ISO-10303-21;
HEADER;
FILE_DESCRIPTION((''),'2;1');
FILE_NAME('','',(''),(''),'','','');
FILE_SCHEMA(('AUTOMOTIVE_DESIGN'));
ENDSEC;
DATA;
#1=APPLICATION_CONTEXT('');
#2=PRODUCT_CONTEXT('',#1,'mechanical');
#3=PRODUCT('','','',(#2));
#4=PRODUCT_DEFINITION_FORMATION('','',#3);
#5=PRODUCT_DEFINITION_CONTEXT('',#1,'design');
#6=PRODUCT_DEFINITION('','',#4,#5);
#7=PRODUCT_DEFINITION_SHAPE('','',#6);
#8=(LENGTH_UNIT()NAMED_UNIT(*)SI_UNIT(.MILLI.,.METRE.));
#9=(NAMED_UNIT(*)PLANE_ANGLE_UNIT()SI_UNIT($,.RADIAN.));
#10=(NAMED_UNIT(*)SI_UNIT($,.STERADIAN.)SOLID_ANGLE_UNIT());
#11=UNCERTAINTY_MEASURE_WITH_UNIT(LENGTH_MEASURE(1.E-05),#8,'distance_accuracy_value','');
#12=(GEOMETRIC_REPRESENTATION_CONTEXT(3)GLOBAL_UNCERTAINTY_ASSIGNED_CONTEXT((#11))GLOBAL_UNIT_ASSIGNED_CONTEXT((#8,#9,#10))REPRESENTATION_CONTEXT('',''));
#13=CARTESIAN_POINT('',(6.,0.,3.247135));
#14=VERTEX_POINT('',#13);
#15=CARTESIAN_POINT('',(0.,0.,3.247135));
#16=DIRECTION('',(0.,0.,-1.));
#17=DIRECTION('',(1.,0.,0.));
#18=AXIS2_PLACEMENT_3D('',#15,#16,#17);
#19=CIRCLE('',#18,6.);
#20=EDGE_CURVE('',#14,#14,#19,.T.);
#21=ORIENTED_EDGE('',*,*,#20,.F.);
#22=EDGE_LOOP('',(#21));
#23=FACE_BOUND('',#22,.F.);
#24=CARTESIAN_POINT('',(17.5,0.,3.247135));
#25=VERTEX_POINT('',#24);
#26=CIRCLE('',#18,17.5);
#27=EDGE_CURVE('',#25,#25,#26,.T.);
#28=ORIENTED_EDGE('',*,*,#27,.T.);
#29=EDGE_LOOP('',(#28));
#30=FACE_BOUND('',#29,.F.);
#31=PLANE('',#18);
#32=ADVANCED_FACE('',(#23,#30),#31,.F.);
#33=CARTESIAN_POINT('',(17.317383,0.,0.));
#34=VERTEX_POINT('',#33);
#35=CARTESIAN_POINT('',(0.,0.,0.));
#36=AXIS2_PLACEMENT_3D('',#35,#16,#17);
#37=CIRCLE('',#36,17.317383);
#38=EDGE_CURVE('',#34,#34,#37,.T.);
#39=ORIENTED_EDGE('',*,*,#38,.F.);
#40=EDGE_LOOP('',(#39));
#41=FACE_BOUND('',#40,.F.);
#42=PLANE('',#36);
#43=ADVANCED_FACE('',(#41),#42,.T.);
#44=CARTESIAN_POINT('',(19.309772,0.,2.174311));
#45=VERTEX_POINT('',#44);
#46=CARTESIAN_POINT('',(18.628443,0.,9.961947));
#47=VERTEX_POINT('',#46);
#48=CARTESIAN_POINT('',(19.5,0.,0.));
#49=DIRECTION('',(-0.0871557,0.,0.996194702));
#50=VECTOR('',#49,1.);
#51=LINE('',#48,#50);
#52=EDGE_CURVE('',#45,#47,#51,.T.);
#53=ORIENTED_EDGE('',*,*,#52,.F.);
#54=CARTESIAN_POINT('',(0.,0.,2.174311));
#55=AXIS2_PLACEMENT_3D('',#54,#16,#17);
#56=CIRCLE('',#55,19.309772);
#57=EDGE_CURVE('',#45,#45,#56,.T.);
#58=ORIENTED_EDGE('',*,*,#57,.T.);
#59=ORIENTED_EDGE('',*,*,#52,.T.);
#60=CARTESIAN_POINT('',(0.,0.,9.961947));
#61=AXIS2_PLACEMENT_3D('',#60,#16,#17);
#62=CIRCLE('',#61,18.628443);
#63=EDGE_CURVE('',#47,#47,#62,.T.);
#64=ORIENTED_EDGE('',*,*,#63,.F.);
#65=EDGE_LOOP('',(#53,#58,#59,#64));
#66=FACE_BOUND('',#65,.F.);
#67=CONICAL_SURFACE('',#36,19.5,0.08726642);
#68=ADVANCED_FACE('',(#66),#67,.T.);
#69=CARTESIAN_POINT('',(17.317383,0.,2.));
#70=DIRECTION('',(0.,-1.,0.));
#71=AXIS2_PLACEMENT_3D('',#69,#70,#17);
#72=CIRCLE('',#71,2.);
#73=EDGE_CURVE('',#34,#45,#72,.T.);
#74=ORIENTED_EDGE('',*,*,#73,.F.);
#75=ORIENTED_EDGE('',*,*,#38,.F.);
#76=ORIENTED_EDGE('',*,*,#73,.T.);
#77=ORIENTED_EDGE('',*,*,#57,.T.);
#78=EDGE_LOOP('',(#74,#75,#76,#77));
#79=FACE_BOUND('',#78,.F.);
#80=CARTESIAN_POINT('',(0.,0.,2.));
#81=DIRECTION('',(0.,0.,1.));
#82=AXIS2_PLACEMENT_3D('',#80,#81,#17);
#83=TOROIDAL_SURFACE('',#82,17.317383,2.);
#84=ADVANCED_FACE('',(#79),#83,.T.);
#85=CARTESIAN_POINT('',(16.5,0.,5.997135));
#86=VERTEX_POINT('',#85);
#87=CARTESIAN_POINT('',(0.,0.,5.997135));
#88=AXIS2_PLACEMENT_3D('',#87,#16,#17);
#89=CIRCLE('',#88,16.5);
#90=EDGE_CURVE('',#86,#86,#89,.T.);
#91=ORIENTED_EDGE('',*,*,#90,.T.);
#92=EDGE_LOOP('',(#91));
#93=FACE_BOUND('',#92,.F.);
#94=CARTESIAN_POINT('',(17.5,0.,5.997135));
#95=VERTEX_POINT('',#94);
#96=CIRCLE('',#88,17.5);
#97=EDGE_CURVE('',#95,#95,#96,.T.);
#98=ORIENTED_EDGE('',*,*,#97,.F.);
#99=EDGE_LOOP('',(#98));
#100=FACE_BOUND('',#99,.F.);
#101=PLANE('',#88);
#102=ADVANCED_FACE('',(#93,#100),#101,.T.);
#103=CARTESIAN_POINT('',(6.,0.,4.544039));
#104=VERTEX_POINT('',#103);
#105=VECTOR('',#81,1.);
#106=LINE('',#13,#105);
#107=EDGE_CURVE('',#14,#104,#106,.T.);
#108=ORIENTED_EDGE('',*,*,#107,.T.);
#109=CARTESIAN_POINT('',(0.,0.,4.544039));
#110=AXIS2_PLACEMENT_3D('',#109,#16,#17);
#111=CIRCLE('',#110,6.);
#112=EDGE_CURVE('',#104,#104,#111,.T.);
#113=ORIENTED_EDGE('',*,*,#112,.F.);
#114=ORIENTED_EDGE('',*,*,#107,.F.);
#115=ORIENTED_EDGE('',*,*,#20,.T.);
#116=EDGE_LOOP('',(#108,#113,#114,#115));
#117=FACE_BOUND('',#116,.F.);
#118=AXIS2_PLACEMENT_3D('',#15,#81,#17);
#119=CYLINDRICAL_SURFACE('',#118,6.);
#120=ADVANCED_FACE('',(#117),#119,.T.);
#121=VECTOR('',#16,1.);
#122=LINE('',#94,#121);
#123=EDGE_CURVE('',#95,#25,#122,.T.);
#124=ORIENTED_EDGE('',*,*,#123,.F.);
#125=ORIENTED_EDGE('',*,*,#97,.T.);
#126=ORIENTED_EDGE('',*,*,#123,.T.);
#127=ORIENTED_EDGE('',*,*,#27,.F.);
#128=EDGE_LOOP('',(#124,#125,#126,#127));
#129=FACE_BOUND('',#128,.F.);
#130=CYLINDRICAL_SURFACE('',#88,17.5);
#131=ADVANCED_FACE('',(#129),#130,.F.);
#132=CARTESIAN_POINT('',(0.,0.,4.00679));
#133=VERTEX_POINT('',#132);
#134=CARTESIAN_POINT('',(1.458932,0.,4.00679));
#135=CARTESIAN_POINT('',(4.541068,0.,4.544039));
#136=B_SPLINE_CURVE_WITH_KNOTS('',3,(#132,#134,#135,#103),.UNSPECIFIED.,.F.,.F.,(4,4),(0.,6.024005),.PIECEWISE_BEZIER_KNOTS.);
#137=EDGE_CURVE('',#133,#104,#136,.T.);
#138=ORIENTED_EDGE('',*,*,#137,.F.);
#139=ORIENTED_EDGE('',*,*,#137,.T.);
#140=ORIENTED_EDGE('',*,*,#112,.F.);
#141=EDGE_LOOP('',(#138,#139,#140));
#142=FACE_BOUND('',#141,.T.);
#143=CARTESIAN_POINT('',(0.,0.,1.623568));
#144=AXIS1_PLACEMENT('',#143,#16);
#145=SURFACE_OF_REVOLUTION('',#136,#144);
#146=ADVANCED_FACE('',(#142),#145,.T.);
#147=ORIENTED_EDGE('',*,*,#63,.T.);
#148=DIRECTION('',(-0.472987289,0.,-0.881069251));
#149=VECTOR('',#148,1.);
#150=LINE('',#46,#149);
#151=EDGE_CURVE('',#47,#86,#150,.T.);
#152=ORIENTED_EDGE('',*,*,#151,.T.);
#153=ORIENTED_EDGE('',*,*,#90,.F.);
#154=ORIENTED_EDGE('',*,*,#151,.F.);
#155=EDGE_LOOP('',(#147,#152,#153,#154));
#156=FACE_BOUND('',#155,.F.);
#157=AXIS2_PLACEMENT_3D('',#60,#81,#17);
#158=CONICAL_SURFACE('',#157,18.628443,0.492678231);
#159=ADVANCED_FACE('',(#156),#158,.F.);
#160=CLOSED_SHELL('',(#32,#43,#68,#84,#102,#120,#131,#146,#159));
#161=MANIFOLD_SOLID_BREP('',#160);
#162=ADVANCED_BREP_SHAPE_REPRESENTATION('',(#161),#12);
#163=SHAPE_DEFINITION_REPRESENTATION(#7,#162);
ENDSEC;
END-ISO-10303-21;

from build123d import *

# Parameters (mm, degrees)
F2_R = 2


with BuildPart() as f1:
    # F0 (on Front) → F1 (revolve)
    with BuildSketch(Plane.XZ):
        Polygon((0, 3.247135), (0, 0), (19.5, 0), (18.628443, 9.961947), (16.5, 5.997135), (17.5, 5.997135), (17.5, 3.247135), (6, 3.247135), align=None)
        with BuildLine():
            Line((0, 4.00679), (0, 3.247135))
            Line((0, 3.247135), (6, 3.247135))
            Line((6, 3.247135), (6, 4.544039))
            add(Edge.make_bspline(
                [(0, 4.00679), (1.458932, 4.00679), (4.541068, 4.544039), (6, 4.544039)],
                knots=[0, 0, 0, 0, 6.024005, 6.024005, 6.024005, 6.024005], degree=3))
        make_face()
    revolve(axis=Axis((0, 0, 1.623568), (0, 0, -1)))

    # F2
    f2_edges = [f1.edges().sort_by_distance(p)[0] for p in [
        (-19.5, 0, 0),
    ]]
    fillet(f2_edges, radius=F2_R)


solid = f1.part
